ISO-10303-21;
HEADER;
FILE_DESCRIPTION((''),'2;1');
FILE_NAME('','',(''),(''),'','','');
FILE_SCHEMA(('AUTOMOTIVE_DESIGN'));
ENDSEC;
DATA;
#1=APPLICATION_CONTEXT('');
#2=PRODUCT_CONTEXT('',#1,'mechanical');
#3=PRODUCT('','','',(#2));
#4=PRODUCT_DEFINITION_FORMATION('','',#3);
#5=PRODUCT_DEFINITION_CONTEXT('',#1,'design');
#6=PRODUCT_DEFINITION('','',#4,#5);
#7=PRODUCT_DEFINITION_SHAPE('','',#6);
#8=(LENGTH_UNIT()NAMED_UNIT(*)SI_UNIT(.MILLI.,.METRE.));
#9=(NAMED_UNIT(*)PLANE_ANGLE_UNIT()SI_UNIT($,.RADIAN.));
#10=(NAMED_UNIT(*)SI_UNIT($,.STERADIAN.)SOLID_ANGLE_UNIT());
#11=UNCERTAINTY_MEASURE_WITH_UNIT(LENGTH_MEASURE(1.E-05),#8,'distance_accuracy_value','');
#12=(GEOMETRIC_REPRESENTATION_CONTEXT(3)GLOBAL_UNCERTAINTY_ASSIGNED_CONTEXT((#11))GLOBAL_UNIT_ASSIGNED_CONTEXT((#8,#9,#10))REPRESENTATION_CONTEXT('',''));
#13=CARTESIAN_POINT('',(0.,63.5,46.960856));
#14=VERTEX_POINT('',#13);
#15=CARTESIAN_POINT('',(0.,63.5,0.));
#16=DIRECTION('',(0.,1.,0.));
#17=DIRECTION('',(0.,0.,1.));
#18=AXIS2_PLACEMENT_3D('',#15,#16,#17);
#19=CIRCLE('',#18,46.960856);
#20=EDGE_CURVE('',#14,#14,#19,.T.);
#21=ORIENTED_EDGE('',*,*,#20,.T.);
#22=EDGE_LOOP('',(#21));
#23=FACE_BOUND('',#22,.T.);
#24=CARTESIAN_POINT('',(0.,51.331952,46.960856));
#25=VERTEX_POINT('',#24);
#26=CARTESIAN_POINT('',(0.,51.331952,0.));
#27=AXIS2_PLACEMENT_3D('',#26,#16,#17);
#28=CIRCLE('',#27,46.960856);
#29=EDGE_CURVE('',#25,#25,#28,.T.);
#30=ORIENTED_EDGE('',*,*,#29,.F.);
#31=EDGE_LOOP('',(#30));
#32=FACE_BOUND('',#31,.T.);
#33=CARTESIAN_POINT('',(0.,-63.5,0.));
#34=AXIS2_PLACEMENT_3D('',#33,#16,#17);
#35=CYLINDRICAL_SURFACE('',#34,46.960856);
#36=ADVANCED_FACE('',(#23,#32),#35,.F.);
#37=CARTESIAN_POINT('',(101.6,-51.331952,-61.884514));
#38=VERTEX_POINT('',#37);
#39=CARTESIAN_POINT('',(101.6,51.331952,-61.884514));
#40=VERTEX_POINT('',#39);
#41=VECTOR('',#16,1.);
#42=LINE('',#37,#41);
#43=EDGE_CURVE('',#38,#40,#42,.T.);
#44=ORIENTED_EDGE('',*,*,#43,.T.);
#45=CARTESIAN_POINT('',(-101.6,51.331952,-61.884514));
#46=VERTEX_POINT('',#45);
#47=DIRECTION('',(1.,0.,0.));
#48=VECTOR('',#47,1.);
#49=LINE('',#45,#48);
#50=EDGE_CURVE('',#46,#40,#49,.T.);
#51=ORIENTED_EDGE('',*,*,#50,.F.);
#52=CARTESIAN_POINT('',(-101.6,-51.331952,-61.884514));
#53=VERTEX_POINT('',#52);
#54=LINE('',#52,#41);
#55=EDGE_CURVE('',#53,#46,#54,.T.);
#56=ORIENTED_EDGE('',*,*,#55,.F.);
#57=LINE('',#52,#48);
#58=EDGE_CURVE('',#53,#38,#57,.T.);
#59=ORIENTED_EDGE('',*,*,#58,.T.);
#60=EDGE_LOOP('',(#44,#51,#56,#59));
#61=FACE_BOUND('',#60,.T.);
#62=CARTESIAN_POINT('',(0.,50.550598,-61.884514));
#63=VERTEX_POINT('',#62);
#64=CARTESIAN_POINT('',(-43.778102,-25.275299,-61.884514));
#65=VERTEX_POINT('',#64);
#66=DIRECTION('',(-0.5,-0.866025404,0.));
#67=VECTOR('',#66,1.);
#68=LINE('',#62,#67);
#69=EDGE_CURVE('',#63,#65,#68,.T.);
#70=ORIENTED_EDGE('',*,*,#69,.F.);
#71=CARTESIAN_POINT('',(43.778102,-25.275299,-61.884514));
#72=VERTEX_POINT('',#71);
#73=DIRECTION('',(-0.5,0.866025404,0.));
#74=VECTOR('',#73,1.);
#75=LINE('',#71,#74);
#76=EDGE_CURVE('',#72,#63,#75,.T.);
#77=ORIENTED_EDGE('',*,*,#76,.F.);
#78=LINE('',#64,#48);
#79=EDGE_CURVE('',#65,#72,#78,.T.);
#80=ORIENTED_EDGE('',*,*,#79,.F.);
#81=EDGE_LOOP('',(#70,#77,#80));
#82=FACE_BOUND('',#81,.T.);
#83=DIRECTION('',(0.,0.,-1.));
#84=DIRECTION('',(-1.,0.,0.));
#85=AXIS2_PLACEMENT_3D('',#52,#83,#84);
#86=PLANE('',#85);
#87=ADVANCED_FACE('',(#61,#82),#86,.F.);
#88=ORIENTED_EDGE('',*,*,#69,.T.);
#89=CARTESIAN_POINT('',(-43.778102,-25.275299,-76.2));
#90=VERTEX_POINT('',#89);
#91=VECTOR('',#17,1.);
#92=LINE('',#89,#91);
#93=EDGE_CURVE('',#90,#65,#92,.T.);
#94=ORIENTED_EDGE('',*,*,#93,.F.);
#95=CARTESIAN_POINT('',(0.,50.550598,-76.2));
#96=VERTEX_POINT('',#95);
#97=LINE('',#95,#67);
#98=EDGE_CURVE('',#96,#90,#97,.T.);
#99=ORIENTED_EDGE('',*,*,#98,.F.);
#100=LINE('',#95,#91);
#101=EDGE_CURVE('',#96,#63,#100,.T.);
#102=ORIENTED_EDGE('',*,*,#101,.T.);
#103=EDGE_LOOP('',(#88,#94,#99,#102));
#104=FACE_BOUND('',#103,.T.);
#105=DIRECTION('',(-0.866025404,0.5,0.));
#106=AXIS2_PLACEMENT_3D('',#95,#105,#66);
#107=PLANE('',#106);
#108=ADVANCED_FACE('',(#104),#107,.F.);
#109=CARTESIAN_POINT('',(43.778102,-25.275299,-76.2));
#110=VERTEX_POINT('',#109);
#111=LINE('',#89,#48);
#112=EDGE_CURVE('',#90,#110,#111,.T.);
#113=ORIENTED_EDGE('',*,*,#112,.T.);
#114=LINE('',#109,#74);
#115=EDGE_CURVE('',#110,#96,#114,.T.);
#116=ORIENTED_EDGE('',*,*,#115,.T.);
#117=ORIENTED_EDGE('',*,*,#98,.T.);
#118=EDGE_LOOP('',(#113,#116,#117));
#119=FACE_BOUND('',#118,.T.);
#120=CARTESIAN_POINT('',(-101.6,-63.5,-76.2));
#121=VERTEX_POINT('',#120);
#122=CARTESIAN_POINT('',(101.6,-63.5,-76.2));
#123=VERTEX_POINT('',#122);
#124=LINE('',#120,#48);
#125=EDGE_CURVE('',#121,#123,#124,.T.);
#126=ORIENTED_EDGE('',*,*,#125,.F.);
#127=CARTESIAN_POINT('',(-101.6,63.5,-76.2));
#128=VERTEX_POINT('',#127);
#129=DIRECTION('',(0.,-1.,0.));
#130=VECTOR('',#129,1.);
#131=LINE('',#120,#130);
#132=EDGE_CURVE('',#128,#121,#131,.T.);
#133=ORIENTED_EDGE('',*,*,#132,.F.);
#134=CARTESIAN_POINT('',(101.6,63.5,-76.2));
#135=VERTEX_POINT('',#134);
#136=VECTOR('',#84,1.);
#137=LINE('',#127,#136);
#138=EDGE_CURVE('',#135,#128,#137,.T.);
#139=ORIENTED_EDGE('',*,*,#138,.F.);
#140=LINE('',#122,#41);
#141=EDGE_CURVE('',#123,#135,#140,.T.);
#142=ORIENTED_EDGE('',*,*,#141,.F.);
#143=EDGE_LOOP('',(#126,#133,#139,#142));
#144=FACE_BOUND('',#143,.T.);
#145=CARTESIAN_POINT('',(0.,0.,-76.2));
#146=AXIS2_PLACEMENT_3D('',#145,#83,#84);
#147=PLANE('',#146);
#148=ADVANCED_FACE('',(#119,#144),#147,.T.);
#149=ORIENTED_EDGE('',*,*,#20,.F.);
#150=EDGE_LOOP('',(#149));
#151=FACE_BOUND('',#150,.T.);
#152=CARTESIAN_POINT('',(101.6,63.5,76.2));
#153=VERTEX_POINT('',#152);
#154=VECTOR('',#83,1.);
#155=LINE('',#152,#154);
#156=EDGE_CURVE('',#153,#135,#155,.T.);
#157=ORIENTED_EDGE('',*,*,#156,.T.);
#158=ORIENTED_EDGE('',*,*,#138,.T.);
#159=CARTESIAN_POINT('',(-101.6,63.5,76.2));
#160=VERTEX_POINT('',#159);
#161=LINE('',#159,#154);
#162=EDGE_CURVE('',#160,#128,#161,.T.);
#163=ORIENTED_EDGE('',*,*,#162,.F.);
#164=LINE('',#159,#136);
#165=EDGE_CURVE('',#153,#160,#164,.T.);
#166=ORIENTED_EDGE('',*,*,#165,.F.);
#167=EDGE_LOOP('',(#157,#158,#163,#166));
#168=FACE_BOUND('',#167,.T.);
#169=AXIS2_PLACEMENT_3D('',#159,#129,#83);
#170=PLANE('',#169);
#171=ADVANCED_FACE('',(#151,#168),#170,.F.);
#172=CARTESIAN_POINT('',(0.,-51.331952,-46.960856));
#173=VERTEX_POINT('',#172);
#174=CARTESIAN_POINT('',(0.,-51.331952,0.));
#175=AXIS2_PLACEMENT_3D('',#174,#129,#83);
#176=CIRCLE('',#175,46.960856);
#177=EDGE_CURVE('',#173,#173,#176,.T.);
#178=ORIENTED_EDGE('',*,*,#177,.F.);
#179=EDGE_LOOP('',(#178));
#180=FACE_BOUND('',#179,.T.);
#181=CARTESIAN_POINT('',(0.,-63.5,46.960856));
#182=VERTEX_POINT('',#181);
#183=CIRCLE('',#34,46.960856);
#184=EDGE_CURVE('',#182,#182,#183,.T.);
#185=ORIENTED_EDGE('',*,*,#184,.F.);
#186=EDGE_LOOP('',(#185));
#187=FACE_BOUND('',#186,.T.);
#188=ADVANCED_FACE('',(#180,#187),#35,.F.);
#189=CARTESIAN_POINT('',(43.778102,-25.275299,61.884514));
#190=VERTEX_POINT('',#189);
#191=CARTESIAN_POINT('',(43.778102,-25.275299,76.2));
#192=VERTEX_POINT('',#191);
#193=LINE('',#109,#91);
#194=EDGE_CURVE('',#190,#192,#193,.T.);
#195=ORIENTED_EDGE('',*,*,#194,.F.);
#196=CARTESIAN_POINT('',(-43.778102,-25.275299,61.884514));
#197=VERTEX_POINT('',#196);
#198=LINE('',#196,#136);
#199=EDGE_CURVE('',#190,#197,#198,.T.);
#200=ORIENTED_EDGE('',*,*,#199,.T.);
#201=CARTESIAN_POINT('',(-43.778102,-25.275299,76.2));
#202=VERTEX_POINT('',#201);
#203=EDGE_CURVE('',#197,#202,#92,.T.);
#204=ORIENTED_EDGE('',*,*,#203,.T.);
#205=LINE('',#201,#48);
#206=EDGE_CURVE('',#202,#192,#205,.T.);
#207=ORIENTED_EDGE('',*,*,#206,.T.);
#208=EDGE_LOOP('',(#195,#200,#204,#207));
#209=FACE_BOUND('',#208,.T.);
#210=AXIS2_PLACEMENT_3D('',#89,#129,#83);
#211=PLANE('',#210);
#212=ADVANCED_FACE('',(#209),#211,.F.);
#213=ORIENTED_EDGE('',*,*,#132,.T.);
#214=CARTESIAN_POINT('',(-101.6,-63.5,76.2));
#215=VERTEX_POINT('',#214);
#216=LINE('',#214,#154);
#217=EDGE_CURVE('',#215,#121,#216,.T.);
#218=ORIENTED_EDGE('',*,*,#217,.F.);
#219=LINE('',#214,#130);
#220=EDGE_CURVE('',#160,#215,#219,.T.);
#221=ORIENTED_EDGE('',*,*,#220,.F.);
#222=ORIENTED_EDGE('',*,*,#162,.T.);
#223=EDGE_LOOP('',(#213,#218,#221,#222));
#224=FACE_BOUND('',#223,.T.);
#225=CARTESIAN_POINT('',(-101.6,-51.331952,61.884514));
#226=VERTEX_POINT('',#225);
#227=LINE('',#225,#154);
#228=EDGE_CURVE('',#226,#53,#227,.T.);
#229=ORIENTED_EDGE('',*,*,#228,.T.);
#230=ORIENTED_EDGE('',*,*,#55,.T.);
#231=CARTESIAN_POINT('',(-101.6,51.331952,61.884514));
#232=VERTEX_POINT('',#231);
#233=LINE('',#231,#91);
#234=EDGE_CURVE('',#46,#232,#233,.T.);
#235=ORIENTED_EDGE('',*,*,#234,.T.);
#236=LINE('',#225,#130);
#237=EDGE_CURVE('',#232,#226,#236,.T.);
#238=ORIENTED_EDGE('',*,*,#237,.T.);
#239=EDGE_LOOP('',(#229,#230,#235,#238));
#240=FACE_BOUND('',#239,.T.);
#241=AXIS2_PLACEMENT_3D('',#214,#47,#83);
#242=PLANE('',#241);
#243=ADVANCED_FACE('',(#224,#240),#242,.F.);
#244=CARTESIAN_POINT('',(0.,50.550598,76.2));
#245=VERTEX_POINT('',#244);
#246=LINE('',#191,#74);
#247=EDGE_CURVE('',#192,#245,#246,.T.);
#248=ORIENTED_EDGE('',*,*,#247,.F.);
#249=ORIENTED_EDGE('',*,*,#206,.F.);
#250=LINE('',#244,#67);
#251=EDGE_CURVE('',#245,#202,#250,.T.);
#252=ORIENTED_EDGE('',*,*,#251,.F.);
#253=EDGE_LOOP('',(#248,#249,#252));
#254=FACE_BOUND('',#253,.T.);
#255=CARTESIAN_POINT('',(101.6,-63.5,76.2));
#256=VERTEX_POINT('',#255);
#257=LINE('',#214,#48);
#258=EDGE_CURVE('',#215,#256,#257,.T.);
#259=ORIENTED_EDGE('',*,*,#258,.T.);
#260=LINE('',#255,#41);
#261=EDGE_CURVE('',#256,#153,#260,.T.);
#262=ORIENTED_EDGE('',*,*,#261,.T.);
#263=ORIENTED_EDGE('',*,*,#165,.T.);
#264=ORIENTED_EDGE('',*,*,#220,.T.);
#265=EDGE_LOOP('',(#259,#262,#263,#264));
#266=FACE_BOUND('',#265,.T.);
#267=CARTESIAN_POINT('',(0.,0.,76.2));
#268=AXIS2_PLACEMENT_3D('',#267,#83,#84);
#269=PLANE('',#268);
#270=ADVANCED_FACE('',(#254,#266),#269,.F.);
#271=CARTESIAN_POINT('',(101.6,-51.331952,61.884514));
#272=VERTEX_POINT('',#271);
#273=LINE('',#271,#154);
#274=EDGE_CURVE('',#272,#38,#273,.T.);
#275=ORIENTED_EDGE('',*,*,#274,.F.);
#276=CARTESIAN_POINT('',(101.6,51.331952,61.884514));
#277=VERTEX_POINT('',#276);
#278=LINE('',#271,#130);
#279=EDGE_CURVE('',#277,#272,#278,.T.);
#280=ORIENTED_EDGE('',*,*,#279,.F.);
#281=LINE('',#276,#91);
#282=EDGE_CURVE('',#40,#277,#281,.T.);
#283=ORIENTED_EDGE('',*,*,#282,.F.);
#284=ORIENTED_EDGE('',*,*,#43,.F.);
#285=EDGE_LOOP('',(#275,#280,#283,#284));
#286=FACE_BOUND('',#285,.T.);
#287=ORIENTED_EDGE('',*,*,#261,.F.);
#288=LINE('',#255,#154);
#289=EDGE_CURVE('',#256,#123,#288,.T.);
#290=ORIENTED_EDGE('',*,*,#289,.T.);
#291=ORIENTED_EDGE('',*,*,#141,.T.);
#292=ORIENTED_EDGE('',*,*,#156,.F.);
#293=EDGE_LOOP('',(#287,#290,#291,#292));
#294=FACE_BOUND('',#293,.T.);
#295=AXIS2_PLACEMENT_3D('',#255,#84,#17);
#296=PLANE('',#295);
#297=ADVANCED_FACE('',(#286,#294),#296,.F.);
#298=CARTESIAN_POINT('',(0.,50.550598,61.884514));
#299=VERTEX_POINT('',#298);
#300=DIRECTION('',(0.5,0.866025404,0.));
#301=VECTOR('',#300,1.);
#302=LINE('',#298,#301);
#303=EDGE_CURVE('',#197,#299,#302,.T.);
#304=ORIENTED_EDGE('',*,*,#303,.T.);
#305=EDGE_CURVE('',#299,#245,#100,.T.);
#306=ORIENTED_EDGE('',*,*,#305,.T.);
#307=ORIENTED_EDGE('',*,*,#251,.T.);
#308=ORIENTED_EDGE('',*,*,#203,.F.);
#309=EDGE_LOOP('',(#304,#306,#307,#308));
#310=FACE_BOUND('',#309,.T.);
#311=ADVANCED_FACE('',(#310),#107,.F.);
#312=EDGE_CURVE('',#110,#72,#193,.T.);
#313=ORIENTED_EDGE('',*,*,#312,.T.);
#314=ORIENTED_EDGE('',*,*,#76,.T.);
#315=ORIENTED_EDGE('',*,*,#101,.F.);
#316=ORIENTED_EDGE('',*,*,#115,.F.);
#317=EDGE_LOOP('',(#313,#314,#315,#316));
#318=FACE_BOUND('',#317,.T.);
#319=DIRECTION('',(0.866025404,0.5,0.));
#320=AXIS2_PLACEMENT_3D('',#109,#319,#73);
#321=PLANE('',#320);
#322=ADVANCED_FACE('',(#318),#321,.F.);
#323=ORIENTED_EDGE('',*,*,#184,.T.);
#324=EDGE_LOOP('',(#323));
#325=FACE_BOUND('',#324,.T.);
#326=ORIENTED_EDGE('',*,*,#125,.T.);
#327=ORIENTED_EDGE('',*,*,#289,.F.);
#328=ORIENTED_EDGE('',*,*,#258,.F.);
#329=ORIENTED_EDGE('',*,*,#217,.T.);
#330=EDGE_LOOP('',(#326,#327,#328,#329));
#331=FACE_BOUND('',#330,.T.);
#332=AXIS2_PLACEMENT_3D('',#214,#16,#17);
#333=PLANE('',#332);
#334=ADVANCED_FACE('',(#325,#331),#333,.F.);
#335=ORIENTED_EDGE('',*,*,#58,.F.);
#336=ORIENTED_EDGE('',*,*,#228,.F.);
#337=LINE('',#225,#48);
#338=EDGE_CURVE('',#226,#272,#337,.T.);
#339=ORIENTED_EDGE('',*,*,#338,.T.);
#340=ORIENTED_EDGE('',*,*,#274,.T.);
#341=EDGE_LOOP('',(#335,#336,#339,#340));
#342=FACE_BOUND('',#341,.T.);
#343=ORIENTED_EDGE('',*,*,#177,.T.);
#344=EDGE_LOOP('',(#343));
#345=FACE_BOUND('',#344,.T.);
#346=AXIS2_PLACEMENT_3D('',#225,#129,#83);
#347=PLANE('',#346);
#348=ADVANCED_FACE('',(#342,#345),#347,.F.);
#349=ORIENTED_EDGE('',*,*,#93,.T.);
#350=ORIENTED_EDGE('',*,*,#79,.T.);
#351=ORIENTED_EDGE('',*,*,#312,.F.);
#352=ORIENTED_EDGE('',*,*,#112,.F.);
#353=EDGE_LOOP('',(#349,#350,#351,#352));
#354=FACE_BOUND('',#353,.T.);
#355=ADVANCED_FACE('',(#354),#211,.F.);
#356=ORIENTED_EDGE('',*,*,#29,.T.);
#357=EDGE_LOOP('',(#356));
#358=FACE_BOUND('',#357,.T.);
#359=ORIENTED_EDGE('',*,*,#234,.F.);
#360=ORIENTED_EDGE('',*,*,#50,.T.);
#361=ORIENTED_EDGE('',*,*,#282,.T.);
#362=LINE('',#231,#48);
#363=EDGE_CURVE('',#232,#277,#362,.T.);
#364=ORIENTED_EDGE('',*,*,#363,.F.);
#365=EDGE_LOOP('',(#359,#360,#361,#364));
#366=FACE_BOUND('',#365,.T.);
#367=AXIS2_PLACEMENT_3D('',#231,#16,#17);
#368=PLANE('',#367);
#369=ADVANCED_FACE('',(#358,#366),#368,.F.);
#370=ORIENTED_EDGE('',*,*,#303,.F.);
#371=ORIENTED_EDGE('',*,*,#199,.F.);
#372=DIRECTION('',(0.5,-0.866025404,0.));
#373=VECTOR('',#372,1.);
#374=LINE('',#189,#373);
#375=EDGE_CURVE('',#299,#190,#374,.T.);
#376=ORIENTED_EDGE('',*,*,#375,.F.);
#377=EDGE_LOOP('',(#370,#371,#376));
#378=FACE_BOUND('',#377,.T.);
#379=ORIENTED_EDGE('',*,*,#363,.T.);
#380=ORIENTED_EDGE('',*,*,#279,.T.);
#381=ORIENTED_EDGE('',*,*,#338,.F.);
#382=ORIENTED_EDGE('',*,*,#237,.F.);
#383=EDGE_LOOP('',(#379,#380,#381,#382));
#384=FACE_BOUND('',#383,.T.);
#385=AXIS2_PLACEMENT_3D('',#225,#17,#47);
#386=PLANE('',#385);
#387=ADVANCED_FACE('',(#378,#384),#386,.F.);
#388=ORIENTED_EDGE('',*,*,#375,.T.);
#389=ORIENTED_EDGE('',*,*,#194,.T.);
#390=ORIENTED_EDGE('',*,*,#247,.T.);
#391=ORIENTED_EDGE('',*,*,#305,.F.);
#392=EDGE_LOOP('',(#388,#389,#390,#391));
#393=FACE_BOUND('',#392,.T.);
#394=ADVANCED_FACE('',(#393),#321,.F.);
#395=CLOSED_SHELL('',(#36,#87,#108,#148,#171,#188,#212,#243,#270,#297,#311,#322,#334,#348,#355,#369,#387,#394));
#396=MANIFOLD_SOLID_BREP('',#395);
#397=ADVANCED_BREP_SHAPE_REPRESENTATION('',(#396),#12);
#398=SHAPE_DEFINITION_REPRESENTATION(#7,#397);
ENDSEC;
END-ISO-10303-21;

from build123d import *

# Parameters (mm, degrees)
SKETCH1_W           = 203.2
SKETCH1_H           = 127
BOSS_EXTRUDE1_DEPTH = 76.2
CUT_EXTRUDE1_DEPTH  = 194.857086535
SKETCH3_W           = 123.769027692
SKETCH3_H           = 102.663904472
CUT_EXTRUDE2_DEPTH  = 227.117071448
SKETCH4_R           = 46.960856135
CUT_EXTRUDE3_DEPTH  = 180.605122421


with BuildPart() as part:
    # Sketch1 → Boss-Extrude1 (new, symmetric)
    with BuildSketch(Plane.XY):
        Rectangle(SKETCH1_W, SKETCH1_H)
    extrude(amount=BOSS_EXTRUDE1_DEPTH, both=True)

    # Sketch2 → Cut-Extrude1 (cut, through all)
    with BuildSketch(Plane.XY.offset(76.2)):
        Polygon((0, 50.550598249), (-43.77810226, -25.275299124), (43.77810226, -25.275299124), align=None)
    extrude(amount=-CUT_EXTRUDE1_DEPTH, mode=Mode.SUBTRACT)

    # Sketch3 → Cut-Extrude2 (cut, through all)
    with BuildSketch(Plane(origin=(101.6, 0, 0), x_dir=(0, 0, -1), z_dir=(1, 0, 0))):
        Rectangle(SKETCH3_W, SKETCH3_H)
    extrude(amount=-CUT_EXTRUDE2_DEPTH, mode=Mode.SUBTRACT)

    # Sketch4 → Cut-Extrude3 (cut, through all)
    with BuildSketch(Plane(origin=(0, 63.5, 0), x_dir=(1, 0, 0), z_dir=(0, 1, 0))):
        with Locations(Location((0, 0, 0), (0, 0, 270))):
            Circle(SKETCH4_R)
    extrude(amount=-CUT_EXTRUDE3_DEPTH, mode=Mode.SUBTRACT)


solid = part.part
